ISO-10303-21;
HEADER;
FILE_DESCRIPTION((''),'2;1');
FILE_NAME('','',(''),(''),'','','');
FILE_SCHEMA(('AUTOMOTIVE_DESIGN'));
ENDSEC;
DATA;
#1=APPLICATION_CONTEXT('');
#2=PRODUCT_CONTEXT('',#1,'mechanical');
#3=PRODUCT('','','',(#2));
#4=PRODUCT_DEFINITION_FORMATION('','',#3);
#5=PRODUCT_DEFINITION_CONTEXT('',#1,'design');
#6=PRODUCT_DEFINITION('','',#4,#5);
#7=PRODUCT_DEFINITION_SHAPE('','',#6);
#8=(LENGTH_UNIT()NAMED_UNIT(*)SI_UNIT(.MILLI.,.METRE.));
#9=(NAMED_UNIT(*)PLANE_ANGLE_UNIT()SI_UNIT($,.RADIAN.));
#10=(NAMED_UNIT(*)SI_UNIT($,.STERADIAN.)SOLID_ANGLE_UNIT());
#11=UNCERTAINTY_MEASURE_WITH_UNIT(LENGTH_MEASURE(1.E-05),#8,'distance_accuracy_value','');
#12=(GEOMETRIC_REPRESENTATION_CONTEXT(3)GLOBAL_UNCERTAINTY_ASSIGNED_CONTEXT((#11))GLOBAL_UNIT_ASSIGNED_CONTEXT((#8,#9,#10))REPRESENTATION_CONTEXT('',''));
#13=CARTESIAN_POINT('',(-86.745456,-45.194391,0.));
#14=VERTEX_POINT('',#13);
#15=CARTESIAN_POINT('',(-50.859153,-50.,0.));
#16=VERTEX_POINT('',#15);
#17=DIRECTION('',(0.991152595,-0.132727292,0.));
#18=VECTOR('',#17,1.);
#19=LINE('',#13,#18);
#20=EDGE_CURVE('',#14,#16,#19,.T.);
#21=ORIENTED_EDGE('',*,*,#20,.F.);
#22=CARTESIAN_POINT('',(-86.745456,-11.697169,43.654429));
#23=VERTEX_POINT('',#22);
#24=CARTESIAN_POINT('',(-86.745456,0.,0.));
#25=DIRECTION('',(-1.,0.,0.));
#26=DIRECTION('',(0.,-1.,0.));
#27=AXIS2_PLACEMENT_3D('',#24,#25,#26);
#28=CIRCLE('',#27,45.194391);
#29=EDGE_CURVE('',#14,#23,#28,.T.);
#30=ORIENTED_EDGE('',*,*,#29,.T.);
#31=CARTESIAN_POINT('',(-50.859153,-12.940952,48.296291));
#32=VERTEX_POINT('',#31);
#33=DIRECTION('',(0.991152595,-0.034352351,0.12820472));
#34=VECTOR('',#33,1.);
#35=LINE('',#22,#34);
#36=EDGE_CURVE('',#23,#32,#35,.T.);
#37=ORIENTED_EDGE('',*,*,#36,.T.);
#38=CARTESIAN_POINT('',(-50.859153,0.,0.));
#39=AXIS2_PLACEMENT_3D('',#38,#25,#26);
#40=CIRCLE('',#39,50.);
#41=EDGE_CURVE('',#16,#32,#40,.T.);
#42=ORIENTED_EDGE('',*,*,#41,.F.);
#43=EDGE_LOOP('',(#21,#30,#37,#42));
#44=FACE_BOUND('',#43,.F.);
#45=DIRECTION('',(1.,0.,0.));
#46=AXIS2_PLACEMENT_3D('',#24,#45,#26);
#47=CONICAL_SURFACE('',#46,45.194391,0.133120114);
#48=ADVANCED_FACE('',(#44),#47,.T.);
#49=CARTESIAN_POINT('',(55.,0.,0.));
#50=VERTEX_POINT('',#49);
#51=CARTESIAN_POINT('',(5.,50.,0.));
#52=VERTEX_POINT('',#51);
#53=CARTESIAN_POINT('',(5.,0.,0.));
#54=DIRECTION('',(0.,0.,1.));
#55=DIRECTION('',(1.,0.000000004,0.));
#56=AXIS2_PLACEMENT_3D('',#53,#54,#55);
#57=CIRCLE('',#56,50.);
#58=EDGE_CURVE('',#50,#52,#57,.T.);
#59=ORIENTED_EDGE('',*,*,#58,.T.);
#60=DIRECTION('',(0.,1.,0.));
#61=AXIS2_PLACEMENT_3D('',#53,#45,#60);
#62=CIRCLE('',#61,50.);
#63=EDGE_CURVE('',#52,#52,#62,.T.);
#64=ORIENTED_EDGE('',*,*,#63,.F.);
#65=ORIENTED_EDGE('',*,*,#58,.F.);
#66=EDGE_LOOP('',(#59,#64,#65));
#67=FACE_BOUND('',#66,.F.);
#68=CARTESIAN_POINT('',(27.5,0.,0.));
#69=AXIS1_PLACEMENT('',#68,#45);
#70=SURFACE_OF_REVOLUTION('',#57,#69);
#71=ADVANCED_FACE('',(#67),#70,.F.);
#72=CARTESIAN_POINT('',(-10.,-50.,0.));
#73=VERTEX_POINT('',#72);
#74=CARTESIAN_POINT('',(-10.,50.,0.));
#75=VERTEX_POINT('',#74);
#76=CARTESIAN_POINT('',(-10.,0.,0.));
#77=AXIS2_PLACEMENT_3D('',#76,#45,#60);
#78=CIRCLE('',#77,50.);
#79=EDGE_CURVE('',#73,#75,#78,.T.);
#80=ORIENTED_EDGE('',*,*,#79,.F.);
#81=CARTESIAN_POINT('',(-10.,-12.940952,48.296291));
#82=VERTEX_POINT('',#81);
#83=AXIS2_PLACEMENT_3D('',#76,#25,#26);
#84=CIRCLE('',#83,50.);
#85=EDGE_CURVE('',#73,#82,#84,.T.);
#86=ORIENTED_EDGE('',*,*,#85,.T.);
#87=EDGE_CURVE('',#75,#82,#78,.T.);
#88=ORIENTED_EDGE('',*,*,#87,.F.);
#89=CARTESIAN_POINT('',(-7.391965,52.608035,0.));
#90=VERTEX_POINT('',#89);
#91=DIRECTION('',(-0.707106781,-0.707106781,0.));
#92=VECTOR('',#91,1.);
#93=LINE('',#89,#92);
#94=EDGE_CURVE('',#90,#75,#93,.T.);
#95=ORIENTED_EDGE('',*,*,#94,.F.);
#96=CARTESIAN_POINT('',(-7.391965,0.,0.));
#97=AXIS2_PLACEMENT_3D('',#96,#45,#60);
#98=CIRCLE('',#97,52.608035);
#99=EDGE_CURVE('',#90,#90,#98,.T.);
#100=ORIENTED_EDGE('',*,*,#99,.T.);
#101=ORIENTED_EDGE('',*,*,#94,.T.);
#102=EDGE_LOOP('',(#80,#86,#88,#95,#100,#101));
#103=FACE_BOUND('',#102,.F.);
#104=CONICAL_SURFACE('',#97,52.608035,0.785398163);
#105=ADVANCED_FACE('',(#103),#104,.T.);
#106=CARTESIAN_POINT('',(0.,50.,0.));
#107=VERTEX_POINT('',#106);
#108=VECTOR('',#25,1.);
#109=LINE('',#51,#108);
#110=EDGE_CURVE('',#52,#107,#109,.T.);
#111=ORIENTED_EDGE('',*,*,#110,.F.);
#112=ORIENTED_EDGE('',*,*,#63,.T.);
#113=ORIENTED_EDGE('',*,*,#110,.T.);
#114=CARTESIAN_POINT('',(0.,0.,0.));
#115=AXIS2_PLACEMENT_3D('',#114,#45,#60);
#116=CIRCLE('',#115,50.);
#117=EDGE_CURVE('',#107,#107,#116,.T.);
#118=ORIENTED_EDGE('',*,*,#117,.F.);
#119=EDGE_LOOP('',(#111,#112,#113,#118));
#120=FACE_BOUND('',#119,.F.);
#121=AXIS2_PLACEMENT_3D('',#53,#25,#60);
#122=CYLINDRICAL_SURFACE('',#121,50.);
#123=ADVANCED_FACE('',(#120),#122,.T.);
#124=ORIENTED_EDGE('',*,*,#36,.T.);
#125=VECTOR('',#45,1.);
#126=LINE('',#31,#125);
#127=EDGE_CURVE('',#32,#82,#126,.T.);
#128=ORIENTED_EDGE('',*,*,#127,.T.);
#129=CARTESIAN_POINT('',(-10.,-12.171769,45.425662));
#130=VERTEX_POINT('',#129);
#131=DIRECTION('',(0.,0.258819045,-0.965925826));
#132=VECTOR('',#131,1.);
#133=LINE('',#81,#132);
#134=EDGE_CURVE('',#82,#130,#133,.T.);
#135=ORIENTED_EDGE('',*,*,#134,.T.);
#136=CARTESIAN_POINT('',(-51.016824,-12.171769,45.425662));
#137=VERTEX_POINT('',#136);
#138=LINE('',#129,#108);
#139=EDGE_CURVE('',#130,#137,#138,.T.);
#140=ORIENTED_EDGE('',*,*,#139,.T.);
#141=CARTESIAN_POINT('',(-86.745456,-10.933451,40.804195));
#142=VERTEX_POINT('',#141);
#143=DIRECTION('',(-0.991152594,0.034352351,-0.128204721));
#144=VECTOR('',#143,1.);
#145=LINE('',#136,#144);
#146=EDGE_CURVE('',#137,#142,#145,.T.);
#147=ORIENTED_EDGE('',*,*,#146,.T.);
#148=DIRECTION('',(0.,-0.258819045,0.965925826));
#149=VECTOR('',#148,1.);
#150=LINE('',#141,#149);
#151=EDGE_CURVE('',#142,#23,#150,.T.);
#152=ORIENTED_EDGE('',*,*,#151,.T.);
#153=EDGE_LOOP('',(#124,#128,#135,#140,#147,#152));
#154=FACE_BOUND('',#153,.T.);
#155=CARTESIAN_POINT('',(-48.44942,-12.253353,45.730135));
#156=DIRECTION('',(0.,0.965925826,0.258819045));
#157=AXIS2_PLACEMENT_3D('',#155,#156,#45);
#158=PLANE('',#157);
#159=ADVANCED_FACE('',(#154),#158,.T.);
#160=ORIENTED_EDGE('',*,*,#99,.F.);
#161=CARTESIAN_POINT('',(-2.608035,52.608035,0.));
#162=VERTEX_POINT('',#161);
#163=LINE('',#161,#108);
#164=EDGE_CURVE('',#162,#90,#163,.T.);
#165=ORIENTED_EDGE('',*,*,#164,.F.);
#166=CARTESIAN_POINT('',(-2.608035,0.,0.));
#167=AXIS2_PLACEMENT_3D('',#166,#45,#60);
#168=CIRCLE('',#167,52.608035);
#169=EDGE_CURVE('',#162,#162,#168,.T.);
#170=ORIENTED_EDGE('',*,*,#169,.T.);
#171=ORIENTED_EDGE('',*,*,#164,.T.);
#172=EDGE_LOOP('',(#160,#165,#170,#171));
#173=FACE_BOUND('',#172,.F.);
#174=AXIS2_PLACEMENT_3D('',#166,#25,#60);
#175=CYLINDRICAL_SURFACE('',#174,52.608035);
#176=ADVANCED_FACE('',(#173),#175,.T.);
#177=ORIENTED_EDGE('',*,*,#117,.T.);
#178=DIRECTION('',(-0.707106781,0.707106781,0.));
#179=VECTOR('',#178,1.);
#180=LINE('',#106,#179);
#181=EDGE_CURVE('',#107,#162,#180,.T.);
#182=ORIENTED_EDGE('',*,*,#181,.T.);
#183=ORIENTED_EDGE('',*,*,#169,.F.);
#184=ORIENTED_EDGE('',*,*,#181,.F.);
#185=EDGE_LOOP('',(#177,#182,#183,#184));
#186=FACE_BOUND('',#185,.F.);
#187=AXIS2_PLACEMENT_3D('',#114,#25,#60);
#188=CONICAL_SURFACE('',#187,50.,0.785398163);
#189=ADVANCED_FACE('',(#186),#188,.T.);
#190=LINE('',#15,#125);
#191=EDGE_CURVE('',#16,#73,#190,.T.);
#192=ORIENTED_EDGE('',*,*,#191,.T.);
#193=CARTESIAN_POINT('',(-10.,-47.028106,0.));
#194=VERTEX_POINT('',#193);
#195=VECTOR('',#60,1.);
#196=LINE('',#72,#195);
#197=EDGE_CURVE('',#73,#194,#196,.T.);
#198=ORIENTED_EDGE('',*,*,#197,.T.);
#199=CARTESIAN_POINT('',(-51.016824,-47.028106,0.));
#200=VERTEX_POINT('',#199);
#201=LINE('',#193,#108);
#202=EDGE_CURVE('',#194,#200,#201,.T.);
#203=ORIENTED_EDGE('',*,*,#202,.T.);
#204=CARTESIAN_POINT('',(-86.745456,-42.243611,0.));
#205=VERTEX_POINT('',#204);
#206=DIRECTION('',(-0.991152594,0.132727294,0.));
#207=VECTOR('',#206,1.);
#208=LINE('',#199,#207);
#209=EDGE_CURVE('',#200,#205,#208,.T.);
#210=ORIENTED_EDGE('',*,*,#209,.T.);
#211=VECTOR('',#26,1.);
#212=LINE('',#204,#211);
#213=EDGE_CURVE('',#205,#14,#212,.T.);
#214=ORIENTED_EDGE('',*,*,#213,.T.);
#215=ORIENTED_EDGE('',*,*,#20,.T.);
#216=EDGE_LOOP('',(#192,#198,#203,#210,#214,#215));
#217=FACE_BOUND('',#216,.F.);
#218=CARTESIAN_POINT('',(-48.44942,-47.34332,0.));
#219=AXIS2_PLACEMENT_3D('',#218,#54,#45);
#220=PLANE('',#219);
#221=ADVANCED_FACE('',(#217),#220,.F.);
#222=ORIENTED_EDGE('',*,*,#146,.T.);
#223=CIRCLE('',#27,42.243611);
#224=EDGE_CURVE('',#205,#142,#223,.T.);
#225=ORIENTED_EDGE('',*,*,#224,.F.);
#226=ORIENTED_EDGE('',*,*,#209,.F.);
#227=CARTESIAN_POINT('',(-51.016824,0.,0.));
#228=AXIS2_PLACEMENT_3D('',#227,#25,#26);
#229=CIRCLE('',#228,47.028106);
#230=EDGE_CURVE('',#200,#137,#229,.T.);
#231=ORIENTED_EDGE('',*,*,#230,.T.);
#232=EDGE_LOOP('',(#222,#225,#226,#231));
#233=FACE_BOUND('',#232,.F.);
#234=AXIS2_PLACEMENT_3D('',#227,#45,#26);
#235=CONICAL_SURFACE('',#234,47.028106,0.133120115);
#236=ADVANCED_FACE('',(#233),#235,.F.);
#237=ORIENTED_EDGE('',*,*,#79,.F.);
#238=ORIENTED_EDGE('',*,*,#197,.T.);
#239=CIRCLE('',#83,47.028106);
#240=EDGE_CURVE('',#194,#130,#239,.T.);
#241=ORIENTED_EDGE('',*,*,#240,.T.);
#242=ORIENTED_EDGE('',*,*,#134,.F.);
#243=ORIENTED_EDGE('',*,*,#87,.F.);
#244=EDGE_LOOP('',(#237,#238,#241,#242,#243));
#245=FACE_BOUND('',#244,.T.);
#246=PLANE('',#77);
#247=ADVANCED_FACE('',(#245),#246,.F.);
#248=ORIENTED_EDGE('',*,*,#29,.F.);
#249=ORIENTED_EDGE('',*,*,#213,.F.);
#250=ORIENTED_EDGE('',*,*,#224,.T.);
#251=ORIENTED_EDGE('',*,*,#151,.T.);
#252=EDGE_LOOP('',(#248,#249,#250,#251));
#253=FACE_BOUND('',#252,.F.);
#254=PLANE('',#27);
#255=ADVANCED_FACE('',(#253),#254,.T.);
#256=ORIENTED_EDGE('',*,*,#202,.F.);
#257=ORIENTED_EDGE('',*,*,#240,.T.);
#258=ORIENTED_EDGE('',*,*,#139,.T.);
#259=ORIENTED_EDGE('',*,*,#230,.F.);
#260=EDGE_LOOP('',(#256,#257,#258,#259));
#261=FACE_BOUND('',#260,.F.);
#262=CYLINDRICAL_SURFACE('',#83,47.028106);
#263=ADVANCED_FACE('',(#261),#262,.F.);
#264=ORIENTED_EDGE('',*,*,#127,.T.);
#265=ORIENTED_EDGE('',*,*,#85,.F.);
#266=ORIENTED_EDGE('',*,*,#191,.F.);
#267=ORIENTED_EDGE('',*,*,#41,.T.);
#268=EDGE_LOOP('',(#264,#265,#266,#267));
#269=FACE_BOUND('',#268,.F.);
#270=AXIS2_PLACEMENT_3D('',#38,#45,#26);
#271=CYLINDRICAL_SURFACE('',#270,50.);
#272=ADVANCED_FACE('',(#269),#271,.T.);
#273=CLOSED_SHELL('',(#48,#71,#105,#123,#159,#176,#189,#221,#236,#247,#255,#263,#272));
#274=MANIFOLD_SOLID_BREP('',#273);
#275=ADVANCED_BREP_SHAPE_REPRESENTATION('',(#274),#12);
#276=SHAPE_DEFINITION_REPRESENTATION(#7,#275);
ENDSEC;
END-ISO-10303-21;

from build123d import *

# Parameters (mm, degrees)
F0_W     = 10
F0_H     = 50
F2_ANGLE = -75


with BuildPart() as f1:
    # F0 (on Top) → F1 (revolve)
    with BuildSketch(Plane.XY):
        with Locations((-5, 25)):
            Rectangle(F0_W, F0_H)
        with BuildLine():
            Line((0, 50), (0, 0))
            Line((0, 0), (55, 0))
            ThreePointArc((55, 0), (40.355339, 35.355339), (5, 50))
            Line((5, 50), (0, 50))
        make_face()
        Polygon((-10, 50), (0, 50), (-2.608035, 52.608035), (-7.391965, 52.608035), align=None)
    revolve(axis=Axis((27.5, 0, 0), (1, 0, 0)))

    # F0 (on Top) → F2 (revolve)
    with BuildSketch(Plane.XY):
        Polygon((-50.859153, -50), (-10, -50), (-10, -47.028106), (-51.016824, -47.028106), (-86.745456, -42.243611), (-86.745456, -45.194391), align=None)
    revolve(axis=Axis((27.5, 0, 0), (1, 0, 0)), revolution_arc=F2_ANGLE)


solid = f1.part
